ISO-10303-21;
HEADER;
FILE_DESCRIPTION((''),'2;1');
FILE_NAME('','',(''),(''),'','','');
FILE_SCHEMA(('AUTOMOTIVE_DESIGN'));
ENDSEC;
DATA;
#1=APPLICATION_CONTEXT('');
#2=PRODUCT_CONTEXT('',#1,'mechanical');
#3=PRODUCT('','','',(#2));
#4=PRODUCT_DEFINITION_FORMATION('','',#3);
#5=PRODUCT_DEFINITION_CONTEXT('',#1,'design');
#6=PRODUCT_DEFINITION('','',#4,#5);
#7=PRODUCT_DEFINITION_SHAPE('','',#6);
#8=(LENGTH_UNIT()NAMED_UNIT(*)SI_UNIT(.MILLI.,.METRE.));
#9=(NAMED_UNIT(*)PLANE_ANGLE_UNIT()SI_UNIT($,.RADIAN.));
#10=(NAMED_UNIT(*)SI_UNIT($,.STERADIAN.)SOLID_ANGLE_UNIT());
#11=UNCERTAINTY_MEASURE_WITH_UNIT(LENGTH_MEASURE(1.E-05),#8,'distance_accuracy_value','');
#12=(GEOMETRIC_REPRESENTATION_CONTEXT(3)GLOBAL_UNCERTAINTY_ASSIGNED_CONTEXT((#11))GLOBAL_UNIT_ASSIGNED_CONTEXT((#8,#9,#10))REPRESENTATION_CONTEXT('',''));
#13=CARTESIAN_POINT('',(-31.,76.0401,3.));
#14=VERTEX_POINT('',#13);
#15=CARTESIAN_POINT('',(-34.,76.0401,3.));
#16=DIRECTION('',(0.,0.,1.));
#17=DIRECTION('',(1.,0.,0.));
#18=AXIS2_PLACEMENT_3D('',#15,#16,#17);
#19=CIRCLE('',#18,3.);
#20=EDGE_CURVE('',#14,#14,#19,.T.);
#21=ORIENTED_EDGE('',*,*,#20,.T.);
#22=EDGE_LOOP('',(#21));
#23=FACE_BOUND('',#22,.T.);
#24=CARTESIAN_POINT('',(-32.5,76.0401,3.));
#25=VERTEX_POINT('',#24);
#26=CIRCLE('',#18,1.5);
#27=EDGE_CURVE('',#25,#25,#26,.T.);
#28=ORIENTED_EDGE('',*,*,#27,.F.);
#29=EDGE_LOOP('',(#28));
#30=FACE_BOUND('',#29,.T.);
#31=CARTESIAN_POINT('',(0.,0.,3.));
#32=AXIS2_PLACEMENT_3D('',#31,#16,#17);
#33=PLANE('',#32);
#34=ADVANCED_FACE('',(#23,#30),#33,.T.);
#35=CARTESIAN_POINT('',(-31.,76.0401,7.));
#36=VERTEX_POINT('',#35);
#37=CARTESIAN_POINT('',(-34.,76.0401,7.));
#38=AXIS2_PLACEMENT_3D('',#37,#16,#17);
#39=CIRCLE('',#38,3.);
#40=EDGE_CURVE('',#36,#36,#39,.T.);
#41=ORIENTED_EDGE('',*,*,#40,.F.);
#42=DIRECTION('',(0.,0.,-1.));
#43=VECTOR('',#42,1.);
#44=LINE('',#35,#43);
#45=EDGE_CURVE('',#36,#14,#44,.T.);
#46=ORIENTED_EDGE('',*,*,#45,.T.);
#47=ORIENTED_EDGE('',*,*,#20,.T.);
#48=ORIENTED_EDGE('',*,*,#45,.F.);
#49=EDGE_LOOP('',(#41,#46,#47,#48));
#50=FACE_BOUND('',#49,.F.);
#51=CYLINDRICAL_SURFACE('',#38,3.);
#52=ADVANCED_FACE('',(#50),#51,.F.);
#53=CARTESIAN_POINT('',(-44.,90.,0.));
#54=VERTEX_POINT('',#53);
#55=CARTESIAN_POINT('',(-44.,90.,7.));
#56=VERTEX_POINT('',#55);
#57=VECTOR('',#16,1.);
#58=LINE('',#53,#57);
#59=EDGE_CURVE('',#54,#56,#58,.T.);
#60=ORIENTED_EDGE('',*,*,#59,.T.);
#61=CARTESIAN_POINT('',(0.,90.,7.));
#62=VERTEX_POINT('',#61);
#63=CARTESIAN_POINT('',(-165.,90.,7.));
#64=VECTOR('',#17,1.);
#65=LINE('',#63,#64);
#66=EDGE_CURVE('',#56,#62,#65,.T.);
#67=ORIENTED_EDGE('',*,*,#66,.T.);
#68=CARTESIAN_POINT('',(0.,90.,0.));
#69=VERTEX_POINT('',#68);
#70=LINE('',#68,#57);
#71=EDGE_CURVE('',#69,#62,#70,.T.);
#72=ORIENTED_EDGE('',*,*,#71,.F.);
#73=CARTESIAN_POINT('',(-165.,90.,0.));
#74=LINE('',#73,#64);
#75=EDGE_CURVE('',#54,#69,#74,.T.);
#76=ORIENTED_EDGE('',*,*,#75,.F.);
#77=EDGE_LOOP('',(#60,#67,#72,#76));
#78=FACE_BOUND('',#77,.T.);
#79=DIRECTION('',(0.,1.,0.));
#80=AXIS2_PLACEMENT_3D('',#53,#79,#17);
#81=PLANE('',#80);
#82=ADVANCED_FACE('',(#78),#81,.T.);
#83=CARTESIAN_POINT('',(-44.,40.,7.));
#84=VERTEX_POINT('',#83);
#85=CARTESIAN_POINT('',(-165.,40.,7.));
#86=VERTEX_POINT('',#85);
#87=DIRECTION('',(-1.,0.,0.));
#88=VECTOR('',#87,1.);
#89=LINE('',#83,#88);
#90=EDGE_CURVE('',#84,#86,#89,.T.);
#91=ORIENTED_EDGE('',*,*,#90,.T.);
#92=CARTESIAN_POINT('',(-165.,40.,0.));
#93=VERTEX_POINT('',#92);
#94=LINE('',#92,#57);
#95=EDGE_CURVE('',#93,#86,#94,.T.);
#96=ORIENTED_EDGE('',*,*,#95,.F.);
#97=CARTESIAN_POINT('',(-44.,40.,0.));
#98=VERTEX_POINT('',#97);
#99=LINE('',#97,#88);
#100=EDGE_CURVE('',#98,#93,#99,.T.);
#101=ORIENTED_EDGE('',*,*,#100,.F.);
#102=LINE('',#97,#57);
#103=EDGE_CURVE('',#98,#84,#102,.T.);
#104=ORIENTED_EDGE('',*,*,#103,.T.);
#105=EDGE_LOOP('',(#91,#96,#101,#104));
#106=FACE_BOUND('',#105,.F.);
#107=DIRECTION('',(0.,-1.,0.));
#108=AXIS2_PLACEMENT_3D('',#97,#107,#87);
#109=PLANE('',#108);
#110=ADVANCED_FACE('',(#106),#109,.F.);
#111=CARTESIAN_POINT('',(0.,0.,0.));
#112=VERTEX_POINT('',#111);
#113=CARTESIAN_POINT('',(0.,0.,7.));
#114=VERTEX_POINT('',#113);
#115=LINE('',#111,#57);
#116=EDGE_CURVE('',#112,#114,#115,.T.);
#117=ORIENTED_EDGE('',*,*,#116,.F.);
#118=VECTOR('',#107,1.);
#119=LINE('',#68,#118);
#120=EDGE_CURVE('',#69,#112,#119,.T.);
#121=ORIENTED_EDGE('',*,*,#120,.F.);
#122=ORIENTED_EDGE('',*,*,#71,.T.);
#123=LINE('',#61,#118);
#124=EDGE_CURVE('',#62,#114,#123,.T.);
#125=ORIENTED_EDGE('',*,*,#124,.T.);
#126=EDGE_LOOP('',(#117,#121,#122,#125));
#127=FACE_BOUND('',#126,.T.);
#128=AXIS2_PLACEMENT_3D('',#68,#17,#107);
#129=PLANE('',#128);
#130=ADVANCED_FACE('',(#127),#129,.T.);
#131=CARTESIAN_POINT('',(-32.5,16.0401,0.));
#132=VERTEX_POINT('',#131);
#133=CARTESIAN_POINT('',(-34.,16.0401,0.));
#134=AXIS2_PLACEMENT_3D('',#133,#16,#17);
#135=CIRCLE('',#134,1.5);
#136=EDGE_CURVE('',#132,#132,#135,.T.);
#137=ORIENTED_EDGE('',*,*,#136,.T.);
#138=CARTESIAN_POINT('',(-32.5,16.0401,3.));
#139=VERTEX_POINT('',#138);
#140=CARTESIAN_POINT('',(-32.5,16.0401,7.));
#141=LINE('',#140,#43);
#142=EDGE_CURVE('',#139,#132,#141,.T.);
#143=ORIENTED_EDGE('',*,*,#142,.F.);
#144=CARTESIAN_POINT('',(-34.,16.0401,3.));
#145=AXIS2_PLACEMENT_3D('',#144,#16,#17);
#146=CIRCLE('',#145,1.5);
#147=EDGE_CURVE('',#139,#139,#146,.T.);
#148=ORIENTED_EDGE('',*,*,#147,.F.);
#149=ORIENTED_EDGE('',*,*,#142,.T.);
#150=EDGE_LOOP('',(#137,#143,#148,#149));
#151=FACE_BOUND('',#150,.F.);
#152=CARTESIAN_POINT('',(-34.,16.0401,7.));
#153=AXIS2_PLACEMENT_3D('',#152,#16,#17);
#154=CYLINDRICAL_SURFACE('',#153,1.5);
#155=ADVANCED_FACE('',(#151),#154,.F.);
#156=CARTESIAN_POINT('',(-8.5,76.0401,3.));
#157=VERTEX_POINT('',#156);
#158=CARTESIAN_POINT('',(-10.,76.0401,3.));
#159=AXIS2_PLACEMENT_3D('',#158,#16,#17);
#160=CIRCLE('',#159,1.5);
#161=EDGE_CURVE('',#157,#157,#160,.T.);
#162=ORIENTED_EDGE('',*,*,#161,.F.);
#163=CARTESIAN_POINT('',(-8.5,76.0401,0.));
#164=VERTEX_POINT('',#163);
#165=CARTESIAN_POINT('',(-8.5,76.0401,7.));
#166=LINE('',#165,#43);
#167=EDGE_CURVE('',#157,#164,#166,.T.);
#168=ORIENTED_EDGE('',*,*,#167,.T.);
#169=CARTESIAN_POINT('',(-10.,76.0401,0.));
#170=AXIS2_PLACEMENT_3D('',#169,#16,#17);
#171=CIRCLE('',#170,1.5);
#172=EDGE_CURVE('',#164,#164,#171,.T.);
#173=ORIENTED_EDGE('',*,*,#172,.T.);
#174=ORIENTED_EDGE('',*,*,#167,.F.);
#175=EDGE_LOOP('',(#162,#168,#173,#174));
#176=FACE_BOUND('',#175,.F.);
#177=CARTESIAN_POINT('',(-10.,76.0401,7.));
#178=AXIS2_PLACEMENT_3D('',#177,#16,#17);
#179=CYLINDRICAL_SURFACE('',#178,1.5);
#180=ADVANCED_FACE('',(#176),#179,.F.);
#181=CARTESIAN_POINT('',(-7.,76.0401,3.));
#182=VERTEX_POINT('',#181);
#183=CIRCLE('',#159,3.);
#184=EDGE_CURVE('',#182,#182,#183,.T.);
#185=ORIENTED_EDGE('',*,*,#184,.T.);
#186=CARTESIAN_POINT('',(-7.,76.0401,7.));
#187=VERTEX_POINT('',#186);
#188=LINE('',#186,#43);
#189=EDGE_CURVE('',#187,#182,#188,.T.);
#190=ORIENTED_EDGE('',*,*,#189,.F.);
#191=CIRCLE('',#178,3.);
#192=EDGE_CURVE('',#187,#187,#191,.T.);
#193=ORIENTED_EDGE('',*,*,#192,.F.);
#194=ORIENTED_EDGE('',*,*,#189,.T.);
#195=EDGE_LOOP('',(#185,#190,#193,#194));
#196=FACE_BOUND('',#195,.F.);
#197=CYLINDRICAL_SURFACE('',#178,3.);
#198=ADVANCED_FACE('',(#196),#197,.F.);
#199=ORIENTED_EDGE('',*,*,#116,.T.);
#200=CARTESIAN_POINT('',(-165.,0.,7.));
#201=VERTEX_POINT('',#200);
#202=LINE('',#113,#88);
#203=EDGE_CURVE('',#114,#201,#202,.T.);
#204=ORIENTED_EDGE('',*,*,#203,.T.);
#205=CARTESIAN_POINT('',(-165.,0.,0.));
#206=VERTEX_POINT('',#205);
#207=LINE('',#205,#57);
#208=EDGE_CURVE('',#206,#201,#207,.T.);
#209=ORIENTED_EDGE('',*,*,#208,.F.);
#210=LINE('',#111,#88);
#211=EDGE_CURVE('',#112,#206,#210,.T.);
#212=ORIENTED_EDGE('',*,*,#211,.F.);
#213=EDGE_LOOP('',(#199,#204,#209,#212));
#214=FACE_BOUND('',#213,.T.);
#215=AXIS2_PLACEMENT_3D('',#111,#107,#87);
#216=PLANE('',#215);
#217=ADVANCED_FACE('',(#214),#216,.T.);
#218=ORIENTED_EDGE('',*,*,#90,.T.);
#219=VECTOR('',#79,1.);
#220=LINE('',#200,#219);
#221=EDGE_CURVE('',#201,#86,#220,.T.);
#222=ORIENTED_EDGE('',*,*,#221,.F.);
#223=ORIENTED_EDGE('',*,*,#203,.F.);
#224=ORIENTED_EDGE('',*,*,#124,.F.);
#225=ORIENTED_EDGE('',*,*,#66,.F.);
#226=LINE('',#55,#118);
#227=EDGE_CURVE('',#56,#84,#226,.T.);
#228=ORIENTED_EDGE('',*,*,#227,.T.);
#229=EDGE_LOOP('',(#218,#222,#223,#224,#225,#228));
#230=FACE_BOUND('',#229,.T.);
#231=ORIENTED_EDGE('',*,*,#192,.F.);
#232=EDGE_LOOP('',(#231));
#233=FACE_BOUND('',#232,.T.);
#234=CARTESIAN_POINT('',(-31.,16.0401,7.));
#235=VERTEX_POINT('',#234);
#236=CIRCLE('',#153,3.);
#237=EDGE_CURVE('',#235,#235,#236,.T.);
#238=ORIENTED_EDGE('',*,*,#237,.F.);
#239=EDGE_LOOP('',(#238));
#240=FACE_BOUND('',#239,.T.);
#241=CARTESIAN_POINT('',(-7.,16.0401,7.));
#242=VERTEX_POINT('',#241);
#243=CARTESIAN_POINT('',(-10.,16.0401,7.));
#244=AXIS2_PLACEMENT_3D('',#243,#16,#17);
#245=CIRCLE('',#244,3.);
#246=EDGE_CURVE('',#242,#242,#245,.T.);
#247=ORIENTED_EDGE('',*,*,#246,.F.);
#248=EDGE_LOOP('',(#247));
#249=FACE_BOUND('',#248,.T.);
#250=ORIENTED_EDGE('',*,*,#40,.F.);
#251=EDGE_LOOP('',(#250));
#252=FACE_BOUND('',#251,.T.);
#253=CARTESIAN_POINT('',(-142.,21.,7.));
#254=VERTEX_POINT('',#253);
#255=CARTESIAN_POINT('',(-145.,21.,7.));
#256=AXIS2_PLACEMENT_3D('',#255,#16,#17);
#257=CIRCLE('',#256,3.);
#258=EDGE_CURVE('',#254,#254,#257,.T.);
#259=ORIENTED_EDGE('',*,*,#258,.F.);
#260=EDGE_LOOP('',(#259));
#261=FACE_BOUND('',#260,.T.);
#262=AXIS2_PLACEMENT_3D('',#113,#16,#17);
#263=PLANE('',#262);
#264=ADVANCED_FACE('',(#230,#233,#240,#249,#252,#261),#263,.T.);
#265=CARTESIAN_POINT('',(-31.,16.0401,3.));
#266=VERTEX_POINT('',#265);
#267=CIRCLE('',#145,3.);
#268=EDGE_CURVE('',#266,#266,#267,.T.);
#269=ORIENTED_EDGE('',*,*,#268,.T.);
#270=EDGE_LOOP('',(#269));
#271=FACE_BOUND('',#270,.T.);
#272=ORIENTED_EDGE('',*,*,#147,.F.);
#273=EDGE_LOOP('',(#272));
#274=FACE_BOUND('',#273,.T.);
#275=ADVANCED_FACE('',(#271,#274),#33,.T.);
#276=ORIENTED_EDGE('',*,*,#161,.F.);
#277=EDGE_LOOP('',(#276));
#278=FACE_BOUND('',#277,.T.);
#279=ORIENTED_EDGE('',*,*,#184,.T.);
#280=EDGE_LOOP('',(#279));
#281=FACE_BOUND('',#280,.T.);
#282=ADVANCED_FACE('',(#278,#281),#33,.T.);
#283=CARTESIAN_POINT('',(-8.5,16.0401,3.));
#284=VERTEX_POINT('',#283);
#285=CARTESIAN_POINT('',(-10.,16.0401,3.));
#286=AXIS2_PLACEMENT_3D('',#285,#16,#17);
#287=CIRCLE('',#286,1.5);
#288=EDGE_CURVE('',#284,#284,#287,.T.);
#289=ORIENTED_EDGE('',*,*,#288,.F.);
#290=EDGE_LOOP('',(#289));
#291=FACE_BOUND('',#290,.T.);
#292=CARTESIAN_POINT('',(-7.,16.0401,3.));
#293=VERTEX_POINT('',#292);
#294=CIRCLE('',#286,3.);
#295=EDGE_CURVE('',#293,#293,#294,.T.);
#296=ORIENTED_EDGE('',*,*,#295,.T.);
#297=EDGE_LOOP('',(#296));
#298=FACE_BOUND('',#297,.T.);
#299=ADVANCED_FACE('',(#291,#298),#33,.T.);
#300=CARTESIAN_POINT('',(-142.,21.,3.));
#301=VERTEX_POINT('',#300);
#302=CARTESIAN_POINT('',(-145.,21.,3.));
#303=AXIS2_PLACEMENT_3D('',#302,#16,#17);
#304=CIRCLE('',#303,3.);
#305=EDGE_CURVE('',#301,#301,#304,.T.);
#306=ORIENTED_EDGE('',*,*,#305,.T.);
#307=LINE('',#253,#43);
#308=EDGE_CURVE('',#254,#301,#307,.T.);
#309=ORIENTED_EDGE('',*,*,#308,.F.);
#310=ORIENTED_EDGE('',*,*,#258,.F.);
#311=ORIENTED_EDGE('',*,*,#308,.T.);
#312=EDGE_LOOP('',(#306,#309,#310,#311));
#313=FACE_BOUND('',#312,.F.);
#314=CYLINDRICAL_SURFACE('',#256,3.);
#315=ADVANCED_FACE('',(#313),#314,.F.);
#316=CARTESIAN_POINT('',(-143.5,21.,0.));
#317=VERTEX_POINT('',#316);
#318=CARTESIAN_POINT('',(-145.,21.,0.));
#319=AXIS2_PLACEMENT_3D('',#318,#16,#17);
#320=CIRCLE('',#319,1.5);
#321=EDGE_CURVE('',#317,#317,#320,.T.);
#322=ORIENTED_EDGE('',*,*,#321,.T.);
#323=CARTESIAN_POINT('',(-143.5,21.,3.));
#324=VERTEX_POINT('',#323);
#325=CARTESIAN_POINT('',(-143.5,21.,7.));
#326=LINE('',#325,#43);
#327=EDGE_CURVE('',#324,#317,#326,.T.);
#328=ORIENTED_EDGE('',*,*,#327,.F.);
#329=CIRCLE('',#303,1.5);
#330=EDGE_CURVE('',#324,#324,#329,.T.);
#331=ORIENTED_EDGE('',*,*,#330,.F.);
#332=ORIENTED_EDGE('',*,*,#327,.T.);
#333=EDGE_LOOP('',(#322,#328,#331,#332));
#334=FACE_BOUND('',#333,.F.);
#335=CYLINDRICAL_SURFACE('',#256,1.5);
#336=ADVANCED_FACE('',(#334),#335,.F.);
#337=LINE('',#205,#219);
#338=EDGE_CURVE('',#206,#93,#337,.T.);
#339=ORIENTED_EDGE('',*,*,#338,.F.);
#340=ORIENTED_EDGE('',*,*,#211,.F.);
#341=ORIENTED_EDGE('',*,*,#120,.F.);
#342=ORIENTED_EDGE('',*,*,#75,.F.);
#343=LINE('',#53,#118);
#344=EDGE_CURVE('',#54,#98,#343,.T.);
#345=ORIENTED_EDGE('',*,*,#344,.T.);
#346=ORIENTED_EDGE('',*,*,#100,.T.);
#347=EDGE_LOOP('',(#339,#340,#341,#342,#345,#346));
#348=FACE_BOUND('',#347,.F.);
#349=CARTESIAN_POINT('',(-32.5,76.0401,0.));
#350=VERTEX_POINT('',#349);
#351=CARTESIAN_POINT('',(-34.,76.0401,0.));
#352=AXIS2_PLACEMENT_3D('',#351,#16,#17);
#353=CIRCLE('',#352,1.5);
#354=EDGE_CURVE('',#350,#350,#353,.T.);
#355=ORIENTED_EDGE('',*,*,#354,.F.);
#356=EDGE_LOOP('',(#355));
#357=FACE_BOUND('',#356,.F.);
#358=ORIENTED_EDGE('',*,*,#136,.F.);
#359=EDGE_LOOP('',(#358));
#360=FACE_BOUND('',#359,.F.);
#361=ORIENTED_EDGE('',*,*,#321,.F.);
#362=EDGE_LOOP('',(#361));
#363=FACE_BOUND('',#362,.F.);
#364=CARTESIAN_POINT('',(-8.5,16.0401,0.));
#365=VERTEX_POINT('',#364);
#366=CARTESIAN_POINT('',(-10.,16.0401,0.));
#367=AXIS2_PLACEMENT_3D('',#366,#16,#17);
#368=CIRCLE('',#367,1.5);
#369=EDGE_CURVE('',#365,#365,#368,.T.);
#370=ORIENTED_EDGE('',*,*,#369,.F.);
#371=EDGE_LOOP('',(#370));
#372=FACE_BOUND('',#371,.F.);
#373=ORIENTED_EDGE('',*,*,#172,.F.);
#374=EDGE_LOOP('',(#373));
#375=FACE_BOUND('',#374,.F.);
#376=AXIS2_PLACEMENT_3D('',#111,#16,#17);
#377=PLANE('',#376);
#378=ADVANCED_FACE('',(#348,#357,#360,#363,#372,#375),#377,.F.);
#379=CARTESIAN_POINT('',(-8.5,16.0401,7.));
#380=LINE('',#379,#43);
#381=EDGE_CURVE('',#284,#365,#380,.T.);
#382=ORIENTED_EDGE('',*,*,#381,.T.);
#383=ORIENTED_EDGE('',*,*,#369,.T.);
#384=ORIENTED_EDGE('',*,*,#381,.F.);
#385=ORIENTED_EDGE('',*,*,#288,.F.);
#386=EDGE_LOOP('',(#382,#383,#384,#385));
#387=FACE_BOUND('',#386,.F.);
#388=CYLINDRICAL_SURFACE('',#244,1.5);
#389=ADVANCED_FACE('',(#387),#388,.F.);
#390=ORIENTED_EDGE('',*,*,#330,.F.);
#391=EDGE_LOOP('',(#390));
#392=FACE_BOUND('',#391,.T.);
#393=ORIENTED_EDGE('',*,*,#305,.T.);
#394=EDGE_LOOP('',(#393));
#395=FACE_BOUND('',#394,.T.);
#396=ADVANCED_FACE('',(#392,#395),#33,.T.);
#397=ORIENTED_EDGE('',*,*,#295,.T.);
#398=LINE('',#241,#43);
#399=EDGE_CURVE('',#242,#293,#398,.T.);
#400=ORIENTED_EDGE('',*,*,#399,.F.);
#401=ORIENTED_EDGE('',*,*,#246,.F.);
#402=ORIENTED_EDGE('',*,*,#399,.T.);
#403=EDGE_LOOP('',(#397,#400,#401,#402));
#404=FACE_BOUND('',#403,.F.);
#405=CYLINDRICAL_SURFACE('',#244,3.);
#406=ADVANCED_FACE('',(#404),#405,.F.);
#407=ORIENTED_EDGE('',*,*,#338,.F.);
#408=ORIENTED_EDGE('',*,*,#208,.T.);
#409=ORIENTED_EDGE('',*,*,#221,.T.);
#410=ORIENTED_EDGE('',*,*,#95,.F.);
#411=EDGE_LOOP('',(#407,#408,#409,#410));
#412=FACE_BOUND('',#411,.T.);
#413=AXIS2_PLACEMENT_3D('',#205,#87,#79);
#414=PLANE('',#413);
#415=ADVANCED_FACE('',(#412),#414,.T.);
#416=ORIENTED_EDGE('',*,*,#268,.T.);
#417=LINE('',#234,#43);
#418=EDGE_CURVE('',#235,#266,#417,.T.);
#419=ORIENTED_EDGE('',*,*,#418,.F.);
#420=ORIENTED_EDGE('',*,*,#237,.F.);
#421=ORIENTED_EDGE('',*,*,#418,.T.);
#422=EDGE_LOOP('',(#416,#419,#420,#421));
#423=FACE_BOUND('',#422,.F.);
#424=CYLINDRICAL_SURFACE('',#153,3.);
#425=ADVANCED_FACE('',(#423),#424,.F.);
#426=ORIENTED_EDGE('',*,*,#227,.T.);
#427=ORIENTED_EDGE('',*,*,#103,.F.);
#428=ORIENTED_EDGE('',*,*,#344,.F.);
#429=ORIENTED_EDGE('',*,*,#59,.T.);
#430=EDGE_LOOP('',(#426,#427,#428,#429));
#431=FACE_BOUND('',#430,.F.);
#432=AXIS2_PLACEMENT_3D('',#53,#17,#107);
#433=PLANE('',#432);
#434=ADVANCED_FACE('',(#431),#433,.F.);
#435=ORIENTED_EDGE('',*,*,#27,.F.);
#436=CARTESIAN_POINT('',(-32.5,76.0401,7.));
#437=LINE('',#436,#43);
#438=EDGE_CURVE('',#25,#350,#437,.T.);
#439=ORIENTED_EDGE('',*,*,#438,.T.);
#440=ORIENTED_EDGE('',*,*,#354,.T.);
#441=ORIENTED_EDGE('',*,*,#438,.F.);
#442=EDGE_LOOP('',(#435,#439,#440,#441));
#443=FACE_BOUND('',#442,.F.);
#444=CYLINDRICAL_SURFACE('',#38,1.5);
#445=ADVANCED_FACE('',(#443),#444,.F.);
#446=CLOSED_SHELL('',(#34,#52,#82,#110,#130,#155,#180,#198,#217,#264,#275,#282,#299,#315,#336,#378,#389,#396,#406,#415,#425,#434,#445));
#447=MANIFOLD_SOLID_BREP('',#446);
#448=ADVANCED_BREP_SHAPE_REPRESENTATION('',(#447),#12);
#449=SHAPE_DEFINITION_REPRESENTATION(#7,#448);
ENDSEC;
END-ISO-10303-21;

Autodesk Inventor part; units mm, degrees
ref_plane "YZ Plane" through (0, 0, 0) normal (1, 0, 0) x (0, 1, 0)
ref_plane "XZ Plane" through (0, 0, 0) normal (0, 1, 0) x (-1, 0, 0)
ref_plane "XY Plane" through (0, 0, 0) normal (0, 0, 1) x (1, 0, 0)
sketch "Sketch1" plane through (0, 0, 0) normal (0, 0, 1) x (1, 0, 0)
  line L0 (0, 0) -> (-165, 0)
  line L1 (-165, 0) -> (-165, 90)
  line L2 (-165, 90) -> (0, 90)
  line L3 (0, 90) -> (0, 0)
  line L4 (-165, 90) -> (-44, 90)
  line L5 (-44, 90) -> (-44, 40)
  line L6 (-44, 40) -> (-165, 40)
  line L7 (-165, 40) -> (-165, 90)
  dimension "d0" = 165
  dimension "d1" = 90
  dimension "d2" = 121
  dimension "d3" = 50
extrude "Extrusion1" add sketch "Sketch1" along normal blind 7 contours L0 L1 L6 L5 L2 L3
sketch "Sketch2" plane through (0, 0, 7) normal (0, 0, 1) x (1, 0, 0)
  circle A0 centre (-10, 76.0401) radius 1.5
  line L0 (0, 90) -> (-44, 90) projected
  line L1 (-22, 90) -> (-22, 0)
  circle A1 centre (-34, 76.0401) radius 1.5
  circle A2 centre (-10, 16.0401) radius 1.5
  circle A3 centre (-34, 16.0401) radius 1.5
  circle A4 centre (-145, 21) radius 1.5
  line L2 (-165, 40) -> (-165, 0) projected
  line L3 (-44, 40) -> (-165, 40) projected
  line L4 (-165, 0) -> (0, 0) projected
  dimension "d6" = 3
  dimension "d7" = 24
  dimension "d8" = 3
  dimension "d9" = 60
  dimension "d10" = 3
  dimension "d11" = 20
  dimension "d15" = 21
extrude "Extrusion2" cut sketch "Sketch2" against normal blind 10
sketch "Sketch3" plane through (0, 0, 7) normal (0, 0, 1) x (1, 0, 0)
  circle A0 centre (-10, 16.0401) radius 1.5 projected
  circle A1 centre (-10, 16.0401) radius 3
  line L0 (0, 90) -> (-44, 90) projected
  line L1 (-22, 90) -> (-22, 0)
  line L2 (-165, 0) -> (0, 0) projected
  line L3 (-22, 90) -> (68, 90) construction
  circle A2 centre (-10, 76.0401) radius 1.5 projected
  circle A3 centre (-10, 76.0401) radius 3
  circle A4 centre (-34, 16.0401) radius 3
  circle A5 centre (-34, 76.0401) radius 3
  circle A6 centre (-145, 21) radius 1.5 projected
  circle A7 centre (-145, 21) radius 3
  dimension "d16" = 6
  dimension "d17" = 90
  dimension "d18" = 6
  dimension "d19" = 6
extrude "Extrusion3" cut sketch "Sketch3" against normal blind 4
properties part number "alt platform"
